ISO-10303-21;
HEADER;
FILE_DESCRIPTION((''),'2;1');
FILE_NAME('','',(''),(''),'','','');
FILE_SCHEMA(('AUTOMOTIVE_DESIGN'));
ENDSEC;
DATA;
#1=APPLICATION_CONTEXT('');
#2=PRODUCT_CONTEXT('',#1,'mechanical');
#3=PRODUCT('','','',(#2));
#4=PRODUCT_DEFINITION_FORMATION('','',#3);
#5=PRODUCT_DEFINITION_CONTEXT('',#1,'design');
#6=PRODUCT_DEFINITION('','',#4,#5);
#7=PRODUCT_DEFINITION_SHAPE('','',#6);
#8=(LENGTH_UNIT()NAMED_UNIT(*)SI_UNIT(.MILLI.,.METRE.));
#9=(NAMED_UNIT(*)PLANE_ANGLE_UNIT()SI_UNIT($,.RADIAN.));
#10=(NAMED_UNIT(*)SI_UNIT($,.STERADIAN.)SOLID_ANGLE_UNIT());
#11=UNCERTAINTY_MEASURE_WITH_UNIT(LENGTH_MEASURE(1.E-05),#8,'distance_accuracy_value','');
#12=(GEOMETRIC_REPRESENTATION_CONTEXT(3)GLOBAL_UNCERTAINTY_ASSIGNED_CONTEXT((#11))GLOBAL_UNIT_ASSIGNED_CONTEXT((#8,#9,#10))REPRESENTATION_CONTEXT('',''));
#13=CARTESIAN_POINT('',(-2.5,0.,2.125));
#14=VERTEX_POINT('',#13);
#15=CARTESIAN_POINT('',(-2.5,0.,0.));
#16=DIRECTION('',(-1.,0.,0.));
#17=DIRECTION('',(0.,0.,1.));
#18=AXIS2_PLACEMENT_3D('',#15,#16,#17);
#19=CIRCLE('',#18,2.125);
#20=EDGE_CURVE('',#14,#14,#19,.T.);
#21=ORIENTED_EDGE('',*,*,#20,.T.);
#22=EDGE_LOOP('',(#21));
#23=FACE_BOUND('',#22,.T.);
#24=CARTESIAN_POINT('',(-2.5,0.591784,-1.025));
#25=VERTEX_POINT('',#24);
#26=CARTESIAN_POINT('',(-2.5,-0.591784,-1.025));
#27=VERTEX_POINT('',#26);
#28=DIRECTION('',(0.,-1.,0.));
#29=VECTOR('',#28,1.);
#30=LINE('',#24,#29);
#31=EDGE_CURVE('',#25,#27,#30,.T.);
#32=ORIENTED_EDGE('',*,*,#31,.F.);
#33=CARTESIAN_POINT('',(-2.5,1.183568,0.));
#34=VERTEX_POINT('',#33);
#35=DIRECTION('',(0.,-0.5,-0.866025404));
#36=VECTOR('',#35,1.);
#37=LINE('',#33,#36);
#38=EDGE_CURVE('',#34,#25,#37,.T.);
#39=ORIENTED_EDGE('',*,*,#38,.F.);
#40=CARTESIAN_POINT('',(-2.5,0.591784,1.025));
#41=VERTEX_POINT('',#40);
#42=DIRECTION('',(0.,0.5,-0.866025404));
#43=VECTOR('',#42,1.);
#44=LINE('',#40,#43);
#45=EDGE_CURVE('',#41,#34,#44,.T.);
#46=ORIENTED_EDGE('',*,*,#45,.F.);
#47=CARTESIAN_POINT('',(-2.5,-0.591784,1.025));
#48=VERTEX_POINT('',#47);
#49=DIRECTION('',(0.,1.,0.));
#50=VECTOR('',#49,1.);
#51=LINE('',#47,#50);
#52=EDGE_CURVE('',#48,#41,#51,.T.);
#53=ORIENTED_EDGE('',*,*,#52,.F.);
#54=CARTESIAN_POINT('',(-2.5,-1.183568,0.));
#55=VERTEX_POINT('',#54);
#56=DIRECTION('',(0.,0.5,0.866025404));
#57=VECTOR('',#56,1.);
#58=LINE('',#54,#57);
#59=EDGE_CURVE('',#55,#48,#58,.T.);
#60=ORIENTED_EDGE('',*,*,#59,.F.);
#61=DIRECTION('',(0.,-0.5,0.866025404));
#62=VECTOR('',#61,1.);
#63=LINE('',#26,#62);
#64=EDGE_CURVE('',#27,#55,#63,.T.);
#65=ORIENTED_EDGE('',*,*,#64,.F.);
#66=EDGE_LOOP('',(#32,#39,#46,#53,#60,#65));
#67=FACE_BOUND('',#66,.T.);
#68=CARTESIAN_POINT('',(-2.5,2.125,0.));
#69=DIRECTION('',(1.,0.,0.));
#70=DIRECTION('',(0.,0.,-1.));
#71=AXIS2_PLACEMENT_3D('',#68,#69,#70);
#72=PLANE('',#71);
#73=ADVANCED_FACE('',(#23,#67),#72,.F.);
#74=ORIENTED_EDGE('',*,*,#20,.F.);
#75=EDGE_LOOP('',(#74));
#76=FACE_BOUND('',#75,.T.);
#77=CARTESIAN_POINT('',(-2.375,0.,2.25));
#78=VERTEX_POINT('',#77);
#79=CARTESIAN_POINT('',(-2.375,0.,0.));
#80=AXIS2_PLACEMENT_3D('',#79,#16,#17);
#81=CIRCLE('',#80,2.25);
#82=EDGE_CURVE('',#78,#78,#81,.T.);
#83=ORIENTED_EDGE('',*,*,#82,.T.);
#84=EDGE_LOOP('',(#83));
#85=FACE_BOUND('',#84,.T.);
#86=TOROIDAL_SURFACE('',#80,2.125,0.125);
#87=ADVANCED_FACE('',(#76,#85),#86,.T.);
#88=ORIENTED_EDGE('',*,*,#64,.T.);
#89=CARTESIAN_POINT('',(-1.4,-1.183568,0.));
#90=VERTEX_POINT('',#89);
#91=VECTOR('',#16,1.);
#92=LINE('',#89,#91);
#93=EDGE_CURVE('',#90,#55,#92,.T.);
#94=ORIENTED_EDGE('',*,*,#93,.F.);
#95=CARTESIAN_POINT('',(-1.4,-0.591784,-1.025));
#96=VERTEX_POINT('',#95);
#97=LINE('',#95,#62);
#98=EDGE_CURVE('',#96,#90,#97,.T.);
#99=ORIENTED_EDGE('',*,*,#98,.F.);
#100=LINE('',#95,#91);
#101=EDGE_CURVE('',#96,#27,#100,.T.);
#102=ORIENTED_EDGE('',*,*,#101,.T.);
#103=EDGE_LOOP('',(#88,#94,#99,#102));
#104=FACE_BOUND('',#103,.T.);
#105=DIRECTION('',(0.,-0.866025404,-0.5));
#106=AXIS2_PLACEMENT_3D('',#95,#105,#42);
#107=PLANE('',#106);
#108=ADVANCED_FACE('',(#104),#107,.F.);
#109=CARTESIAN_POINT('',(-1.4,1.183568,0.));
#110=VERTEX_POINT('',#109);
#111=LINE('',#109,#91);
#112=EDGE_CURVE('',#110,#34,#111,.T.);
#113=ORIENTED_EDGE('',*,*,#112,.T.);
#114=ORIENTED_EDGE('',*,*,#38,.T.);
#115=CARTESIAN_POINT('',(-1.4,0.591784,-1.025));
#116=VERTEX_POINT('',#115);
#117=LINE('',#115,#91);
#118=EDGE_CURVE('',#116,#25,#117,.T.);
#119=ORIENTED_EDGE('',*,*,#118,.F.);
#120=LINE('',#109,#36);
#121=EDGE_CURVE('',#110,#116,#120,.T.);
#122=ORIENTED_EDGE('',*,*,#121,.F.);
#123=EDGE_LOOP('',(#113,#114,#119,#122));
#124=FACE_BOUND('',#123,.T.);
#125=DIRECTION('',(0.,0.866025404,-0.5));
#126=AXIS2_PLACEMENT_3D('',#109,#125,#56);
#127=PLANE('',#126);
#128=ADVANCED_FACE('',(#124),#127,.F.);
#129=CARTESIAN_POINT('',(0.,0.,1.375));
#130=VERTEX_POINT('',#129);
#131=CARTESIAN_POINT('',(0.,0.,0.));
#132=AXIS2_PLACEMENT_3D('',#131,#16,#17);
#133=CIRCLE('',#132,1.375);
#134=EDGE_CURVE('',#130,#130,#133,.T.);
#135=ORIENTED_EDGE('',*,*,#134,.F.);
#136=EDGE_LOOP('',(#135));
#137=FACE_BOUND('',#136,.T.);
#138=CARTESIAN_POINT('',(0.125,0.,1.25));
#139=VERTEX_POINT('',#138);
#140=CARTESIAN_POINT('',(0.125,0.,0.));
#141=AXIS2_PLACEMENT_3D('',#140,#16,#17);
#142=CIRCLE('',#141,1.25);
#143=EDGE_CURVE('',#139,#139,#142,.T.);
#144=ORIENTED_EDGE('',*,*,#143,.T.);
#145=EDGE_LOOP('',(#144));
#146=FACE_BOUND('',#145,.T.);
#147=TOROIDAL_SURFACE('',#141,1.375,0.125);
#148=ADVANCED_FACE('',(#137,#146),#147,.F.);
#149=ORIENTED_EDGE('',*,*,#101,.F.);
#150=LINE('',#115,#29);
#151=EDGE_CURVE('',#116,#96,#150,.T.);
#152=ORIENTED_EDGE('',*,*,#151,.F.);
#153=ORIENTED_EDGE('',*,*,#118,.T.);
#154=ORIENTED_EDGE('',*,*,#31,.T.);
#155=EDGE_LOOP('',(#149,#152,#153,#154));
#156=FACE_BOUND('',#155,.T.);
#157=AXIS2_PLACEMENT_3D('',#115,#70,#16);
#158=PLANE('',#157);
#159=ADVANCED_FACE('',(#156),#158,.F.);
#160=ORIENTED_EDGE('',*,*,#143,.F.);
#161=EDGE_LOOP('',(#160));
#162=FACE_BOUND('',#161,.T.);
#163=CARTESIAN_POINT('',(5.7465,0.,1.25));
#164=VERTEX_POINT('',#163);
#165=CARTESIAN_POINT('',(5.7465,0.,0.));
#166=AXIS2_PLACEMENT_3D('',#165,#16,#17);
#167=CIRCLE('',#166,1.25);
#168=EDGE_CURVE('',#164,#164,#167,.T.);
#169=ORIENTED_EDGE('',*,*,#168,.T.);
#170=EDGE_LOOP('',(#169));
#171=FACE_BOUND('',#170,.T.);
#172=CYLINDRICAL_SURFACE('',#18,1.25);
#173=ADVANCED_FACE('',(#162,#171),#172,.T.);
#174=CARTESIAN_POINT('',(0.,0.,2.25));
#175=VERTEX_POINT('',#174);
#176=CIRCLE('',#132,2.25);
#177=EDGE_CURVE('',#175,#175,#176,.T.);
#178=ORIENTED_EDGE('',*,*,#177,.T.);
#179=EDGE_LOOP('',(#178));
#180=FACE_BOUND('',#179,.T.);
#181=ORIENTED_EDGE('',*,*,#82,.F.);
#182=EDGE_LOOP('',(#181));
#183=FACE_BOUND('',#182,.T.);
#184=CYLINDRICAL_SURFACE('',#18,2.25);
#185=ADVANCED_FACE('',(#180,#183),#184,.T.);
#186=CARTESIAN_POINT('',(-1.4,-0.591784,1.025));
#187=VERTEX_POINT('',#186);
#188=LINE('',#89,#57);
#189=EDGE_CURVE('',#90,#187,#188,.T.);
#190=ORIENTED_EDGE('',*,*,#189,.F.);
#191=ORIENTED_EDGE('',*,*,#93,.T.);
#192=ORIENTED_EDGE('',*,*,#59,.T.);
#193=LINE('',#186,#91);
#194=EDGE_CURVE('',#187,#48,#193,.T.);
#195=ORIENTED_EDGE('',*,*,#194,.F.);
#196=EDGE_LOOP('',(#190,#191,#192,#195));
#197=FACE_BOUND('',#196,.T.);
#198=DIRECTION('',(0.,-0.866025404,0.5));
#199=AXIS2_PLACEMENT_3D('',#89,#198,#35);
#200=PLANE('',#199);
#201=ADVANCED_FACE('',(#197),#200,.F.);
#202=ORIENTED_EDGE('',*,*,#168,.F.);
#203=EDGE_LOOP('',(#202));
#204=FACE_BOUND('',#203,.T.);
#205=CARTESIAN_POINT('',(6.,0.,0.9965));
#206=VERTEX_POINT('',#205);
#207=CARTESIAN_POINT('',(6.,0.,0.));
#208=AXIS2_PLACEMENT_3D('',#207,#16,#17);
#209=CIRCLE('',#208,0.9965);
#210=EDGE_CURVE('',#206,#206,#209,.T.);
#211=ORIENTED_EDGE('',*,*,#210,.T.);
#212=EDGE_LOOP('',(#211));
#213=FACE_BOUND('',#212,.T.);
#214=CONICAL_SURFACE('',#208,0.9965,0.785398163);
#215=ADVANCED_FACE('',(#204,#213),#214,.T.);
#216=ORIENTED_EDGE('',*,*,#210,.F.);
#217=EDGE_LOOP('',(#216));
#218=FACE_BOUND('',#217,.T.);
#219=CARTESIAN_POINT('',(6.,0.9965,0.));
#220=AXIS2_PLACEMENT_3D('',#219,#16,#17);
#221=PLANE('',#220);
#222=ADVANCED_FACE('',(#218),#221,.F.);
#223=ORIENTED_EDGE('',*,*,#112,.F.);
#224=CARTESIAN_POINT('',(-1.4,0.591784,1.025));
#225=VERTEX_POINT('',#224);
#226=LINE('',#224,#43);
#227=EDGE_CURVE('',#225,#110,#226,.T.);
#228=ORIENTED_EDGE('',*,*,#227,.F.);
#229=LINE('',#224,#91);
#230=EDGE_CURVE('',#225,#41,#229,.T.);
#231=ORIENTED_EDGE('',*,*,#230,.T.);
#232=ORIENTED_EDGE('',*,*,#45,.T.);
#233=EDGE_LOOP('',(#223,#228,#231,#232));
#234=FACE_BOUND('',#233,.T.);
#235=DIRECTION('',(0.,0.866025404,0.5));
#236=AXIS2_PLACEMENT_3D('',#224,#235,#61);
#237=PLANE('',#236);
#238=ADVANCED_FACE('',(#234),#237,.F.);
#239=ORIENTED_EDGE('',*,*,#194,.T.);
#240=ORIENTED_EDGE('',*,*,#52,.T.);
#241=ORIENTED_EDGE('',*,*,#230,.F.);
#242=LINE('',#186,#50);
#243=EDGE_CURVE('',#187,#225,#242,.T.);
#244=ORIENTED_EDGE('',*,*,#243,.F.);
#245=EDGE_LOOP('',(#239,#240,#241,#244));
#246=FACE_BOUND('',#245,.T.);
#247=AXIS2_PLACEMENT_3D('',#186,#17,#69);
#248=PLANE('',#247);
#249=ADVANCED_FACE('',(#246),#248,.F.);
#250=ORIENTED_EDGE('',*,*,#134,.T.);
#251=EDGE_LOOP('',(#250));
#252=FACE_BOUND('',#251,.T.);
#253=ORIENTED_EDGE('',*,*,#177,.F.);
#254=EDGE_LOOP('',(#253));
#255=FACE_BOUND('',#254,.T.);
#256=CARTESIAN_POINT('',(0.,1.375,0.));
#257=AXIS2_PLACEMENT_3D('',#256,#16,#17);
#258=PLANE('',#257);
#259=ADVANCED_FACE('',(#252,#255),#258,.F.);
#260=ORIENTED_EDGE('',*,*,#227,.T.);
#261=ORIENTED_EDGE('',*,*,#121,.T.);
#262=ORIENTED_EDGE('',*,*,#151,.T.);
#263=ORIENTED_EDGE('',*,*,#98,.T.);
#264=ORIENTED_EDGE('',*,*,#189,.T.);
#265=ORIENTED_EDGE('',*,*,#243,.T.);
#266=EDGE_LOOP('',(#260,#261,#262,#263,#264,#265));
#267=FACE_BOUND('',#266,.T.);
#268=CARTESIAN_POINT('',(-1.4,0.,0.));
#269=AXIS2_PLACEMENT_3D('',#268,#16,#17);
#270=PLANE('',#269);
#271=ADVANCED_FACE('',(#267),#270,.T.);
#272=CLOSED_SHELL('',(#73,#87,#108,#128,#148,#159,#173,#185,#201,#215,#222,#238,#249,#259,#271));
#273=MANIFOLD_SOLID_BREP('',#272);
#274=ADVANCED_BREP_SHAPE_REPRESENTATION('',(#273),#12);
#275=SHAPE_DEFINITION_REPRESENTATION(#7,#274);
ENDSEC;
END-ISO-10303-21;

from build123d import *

# Parameters (mm, degrees)
CUT_EXTRUDE1_DEPTH = 1.1


with BuildPart() as part:
    # Sketch1 → Revolve1 (revolve)
    with BuildSketch(Plane.XY):
        with BuildLine():
            Line((5.7465, 1.25), (0.125, 1.25))
            ThreePointArc((0.125, 1.25), (0.036611652, 1.286611652), (0, 1.375))
            Line((0, 1.375), (0, 2.25))
            Line((0, 2.25), (-2.375, 2.25))
            ThreePointArc((-2.375, 2.25), (-2.463388348, 2.213388348), (-2.5, 2.125))
            Line((-2.5, 2.125), (-2.5, 0))
            Line((-2.5, 0), (6, 0))
            Line((6, 0), (6, 0.9965))
            Line((6, 0.9965), (5.7465, 1.25))
        make_face()
    revolve(axis=Axis((-2.5, 0, 0), (1, 0, 0)))

    # Sketch2 → Cut-Extrude1 (cut)
    with BuildSketch(Plane.ZY.offset(2.5)):
        Polygon((1.025, 0.591784026), (0, 1.183568052), (-1.025, 0.591784026), (-1.025, -0.591784026), (0, -1.183568052), (1.025, -0.591784026), align=None)
    extrude(amount=-CUT_EXTRUDE1_DEPTH, mode=Mode.SUBTRACT)


solid = part.part
